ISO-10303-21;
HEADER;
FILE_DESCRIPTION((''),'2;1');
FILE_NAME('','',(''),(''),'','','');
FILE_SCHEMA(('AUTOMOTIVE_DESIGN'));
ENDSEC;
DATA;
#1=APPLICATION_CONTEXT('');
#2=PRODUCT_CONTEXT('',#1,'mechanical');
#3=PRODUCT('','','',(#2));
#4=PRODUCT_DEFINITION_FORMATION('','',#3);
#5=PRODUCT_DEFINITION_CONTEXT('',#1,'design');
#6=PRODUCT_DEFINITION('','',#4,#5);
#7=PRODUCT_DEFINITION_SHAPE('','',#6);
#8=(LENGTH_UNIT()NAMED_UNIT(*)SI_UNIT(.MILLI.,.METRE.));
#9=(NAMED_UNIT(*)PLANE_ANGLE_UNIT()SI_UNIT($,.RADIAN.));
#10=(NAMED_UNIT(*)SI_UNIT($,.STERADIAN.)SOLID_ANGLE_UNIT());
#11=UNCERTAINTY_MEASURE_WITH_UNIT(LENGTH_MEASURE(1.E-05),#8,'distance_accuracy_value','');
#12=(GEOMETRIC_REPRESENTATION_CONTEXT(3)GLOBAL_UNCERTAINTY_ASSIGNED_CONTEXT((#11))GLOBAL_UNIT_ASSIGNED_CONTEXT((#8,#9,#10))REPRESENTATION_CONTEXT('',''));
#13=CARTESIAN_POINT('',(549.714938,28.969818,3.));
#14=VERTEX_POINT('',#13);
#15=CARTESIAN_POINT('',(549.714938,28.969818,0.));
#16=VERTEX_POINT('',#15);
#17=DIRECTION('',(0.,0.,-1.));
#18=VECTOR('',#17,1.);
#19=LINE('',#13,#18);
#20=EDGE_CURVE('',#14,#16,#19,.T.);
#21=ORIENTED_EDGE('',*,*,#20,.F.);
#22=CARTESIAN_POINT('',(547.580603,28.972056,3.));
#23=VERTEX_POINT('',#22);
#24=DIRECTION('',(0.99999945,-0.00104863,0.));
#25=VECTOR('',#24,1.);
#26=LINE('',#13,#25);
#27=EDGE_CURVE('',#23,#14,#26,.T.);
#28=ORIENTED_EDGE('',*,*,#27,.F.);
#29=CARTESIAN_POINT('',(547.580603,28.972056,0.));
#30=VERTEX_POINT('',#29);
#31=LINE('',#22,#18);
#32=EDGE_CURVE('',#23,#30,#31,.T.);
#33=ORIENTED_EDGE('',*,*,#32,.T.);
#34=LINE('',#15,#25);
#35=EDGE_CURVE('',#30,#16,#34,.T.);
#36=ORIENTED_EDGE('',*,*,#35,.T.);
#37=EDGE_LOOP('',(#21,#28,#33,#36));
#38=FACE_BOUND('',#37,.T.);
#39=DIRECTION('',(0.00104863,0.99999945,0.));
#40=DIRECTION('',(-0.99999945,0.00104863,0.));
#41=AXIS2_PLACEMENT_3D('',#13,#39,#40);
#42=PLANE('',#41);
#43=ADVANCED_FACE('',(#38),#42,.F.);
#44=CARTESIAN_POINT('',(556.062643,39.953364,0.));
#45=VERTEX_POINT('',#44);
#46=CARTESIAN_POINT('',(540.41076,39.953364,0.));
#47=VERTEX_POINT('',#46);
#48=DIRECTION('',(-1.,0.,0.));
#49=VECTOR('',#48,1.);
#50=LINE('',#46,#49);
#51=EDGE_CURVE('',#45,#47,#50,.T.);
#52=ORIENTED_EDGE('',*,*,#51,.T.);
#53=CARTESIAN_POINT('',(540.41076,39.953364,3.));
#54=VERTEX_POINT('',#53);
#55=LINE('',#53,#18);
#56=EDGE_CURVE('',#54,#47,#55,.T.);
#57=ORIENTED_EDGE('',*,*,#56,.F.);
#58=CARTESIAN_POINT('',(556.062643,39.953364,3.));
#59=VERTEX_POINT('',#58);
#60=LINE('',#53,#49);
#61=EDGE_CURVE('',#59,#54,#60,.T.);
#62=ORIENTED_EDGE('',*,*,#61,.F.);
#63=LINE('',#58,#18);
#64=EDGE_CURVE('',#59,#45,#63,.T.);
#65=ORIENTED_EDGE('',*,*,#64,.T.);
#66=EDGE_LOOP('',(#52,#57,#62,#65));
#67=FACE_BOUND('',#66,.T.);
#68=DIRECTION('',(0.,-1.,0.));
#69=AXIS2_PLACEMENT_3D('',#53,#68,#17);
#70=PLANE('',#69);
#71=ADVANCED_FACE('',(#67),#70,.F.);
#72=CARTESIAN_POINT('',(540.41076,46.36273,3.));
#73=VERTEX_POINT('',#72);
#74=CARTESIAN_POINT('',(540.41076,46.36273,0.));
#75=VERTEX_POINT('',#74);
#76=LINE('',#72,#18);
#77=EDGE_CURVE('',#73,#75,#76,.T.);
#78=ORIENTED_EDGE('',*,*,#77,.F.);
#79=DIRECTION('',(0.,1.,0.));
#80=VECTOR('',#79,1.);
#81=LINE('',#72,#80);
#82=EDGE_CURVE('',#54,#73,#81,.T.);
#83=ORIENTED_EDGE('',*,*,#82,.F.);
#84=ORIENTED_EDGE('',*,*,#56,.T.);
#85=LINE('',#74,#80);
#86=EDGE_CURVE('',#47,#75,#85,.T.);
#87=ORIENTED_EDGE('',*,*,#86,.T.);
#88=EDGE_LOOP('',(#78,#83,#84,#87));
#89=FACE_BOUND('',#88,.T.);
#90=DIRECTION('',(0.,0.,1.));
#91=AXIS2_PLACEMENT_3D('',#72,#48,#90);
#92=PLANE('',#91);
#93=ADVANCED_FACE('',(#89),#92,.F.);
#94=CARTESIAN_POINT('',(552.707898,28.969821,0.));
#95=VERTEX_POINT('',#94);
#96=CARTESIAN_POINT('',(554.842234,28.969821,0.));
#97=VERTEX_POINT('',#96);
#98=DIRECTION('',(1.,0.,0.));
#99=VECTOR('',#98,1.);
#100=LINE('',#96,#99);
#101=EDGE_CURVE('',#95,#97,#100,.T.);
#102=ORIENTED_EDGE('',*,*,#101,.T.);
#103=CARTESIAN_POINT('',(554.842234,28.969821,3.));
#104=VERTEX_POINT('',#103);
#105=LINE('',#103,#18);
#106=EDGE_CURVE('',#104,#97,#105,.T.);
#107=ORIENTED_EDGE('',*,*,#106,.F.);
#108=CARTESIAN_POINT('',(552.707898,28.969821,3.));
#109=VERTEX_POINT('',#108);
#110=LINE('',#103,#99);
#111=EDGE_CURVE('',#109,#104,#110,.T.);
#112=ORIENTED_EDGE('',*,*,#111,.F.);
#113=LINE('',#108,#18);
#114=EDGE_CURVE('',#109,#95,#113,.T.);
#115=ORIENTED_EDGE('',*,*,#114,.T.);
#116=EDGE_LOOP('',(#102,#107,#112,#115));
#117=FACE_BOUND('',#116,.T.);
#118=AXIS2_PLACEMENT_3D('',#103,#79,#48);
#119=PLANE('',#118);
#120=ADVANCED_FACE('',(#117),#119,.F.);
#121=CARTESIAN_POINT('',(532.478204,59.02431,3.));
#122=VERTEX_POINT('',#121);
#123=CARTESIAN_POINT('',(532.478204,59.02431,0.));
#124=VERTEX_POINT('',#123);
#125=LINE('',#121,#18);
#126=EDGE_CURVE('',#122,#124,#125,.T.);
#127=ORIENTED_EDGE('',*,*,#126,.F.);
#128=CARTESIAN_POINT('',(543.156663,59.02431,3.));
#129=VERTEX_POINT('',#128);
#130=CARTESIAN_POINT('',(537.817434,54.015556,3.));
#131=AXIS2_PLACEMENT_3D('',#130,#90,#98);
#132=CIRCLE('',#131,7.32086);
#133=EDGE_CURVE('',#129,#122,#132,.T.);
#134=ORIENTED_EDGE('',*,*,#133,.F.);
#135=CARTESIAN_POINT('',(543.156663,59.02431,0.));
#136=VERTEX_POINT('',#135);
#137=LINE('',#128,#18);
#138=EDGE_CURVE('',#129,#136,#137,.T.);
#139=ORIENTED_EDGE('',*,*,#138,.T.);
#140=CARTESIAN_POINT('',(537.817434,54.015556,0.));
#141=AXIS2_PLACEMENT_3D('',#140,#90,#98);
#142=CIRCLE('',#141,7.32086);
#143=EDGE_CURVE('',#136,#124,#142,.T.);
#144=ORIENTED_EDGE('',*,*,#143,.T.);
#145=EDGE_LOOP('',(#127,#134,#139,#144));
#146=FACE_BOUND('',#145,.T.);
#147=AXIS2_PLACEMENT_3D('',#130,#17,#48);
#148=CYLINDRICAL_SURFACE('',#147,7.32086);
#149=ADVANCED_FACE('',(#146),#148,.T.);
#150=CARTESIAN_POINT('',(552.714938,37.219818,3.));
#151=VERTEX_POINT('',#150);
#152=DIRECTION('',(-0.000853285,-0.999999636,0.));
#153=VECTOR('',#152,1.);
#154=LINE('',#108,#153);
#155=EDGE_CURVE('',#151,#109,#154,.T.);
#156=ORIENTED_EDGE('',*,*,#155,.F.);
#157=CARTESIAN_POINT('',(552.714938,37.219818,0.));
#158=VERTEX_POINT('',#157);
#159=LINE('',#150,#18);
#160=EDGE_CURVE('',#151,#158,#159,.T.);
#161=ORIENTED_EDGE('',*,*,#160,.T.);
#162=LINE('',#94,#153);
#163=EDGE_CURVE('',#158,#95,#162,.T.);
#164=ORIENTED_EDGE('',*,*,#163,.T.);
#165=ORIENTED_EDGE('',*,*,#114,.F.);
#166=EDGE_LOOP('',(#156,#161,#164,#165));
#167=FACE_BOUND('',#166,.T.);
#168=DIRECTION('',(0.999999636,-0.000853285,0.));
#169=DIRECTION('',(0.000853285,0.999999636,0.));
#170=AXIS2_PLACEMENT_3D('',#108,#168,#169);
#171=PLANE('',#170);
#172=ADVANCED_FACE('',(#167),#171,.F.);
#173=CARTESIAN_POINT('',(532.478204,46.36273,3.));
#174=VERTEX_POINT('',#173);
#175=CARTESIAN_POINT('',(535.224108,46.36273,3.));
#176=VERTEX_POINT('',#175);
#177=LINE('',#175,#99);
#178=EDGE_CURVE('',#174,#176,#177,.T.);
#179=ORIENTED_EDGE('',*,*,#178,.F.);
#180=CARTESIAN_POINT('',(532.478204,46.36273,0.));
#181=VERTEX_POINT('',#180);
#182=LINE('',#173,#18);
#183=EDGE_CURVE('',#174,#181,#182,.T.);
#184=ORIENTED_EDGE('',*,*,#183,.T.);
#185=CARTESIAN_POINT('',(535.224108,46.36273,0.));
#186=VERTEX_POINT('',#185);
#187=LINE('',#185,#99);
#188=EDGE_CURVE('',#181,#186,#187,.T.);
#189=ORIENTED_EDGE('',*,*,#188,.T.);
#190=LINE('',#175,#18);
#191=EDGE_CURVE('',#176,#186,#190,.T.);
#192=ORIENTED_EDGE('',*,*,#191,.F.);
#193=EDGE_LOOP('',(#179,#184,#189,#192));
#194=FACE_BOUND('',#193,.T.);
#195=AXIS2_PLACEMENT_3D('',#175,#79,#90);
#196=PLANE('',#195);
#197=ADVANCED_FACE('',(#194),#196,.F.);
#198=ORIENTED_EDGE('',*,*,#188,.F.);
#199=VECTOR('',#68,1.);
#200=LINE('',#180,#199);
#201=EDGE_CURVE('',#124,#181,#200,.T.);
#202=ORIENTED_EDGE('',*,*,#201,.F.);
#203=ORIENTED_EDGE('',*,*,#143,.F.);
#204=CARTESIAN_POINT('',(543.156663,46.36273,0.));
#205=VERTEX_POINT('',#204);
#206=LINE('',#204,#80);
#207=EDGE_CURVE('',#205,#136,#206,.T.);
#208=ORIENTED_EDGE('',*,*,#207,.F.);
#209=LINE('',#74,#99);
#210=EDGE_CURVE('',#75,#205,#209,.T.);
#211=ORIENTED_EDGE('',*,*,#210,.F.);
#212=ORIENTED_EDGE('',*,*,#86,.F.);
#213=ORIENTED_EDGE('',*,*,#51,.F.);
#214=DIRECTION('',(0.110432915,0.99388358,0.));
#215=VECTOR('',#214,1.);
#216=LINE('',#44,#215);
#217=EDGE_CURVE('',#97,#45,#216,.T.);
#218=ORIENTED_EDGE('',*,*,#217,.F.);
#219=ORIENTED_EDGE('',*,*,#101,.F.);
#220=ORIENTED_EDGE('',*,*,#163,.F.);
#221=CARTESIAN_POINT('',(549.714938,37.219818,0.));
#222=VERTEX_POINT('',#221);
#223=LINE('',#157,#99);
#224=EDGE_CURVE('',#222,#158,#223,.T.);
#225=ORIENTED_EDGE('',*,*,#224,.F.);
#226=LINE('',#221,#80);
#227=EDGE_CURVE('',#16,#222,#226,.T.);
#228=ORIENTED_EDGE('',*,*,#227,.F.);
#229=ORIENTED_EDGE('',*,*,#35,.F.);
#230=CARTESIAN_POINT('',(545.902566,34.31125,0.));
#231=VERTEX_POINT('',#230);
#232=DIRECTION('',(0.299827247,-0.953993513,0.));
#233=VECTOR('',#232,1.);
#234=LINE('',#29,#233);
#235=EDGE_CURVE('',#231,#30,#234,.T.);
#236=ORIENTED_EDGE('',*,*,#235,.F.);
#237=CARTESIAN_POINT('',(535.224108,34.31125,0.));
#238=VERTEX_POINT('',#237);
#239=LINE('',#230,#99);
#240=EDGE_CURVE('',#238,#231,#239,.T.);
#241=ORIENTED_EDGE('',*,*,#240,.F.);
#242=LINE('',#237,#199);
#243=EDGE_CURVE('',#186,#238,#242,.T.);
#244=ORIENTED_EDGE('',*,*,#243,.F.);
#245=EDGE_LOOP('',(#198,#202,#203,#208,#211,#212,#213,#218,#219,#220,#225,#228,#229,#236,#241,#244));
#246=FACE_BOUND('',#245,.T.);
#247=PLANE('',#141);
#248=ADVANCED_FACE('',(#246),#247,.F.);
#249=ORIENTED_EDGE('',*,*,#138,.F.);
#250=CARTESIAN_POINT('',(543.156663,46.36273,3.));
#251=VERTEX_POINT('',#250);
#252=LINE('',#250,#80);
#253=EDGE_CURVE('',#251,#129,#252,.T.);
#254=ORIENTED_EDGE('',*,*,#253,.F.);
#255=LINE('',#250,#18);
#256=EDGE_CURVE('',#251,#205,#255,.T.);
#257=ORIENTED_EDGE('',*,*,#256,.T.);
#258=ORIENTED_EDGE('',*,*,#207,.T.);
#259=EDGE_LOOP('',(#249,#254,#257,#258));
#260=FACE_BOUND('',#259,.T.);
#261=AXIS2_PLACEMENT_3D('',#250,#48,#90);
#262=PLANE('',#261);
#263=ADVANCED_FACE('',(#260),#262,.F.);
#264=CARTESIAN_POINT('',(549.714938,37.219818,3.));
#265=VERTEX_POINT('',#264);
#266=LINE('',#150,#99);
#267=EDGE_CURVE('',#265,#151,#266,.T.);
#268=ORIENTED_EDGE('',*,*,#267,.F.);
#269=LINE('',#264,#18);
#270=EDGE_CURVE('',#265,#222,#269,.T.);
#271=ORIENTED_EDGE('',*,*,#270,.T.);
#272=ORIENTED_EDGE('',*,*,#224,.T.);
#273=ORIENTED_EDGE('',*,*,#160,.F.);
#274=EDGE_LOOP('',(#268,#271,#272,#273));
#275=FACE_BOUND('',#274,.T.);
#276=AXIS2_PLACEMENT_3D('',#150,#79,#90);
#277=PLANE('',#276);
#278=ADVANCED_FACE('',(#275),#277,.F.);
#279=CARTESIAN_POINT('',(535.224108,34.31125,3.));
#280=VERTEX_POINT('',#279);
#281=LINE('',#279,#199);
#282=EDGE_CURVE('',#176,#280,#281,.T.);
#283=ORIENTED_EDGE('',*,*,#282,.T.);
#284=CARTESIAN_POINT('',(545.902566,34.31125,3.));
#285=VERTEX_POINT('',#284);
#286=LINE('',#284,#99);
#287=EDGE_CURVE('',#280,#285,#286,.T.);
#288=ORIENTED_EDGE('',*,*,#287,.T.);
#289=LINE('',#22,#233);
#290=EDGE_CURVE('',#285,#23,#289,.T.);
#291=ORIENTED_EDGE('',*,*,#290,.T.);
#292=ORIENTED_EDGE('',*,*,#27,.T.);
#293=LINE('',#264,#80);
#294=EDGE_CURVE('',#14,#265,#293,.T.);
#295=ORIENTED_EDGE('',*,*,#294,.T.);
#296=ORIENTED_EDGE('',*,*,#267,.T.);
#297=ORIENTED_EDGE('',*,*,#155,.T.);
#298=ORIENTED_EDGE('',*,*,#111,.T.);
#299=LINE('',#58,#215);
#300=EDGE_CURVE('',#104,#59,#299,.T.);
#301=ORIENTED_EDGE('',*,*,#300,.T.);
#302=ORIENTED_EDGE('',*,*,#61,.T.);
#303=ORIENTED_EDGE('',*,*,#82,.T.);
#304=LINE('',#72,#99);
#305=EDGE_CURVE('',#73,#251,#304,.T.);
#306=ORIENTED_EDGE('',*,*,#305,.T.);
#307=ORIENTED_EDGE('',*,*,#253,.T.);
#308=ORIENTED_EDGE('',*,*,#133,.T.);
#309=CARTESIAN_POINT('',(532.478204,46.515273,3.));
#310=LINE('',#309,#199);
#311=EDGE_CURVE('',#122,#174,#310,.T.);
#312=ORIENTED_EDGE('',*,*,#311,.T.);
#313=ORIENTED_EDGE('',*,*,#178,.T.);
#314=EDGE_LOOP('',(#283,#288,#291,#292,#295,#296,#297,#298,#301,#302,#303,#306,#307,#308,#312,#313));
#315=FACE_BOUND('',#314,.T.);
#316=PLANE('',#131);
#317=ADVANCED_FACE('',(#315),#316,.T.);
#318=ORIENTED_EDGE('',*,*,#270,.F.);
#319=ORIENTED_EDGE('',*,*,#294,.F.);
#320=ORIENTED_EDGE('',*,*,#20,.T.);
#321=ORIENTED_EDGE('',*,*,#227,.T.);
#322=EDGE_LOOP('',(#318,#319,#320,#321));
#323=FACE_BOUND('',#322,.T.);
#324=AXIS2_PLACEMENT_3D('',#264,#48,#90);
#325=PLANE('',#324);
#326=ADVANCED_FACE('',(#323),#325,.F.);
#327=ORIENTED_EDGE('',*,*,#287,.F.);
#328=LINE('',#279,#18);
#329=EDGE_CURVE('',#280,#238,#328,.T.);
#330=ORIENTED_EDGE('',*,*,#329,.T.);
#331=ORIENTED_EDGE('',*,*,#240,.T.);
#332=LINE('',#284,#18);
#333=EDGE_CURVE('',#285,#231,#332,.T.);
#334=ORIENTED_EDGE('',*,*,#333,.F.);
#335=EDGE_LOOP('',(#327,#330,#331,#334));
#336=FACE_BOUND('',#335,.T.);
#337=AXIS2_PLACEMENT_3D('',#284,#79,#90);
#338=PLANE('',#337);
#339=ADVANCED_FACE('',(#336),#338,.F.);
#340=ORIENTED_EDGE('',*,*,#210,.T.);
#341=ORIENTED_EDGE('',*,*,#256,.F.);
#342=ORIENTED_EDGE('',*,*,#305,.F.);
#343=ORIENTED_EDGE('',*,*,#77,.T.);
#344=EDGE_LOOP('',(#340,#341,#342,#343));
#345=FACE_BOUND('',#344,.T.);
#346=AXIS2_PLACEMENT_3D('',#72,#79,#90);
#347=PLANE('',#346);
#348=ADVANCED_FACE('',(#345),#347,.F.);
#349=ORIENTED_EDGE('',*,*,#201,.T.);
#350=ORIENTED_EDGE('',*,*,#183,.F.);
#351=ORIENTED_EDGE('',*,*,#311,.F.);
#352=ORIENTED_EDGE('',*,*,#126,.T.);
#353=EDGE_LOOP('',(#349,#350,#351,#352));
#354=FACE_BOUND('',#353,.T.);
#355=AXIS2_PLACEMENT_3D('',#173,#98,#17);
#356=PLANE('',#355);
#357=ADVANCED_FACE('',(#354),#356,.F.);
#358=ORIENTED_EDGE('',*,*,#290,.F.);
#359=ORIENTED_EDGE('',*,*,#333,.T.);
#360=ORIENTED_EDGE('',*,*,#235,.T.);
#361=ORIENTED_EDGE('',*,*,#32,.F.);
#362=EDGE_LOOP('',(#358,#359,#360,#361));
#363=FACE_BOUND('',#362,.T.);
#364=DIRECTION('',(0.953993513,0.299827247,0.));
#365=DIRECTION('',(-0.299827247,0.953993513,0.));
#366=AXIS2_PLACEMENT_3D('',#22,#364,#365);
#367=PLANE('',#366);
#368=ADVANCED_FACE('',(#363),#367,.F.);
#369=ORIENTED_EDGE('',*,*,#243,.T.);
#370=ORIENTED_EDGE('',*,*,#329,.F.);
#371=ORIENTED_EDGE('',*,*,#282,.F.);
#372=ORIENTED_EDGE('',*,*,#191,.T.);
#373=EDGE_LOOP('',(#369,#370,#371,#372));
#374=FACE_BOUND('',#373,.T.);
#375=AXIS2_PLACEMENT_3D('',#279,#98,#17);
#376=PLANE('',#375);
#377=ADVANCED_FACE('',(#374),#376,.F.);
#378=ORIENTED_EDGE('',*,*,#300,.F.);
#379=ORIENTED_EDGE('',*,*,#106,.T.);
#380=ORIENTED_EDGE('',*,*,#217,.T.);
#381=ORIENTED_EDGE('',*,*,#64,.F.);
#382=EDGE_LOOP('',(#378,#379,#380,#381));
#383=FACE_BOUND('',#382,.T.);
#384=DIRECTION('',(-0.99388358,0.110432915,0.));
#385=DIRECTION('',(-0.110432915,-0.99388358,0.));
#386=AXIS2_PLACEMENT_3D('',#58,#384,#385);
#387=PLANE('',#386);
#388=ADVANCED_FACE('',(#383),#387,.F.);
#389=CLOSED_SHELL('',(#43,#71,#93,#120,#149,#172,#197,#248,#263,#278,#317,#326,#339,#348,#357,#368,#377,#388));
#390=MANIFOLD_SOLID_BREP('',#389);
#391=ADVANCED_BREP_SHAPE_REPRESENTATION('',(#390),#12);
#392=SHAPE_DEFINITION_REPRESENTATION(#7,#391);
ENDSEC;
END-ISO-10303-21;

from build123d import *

# Parameters (mm, degrees)
BASE_EXTRUDE_DEPTH = 3


with BuildPart() as part:
    # Sketch1 → Base-Extrude (new body)
    with BuildSketch(Plane.XY):
        with BuildLine():
            Line((540.410759596, 46.36273023), (540.410759596, 39.95336404))
            Line((540.410759596, 39.95336404), (556.06264322, 39.95336404))
            Line((556.06264322, 39.95336404), (554.842233973, 28.969820695))
            Line((554.842233973, 28.969820695), (552.70789796, 28.969820695))
            Line((552.70789796, 28.969820695), (552.714937566, 37.219817691))
            Line((552.714937566, 37.219817691), (549.714937566, 37.219817691))
            Line((549.714937566, 37.219817691), (549.714937566, 28.969817691))
            Line((549.714937566, 28.969817691), (547.580602727, 28.972055819))
            Line((547.580602727, 28.972055819), (545.902566239, 34.311250108))
            Line((545.902566239, 34.311250108), (535.22410772, 34.311250108))
            Line((535.22410772, 34.311250108), (535.22410772, 46.36273023))
            Line((535.22410772, 46.36273023), (532.478204398, 46.36273023))
            Line((532.478204398, 46.36273023), (532.478204398, 46.515272643))
            Line((532.478204398, 46.515272643), (532.478204398, 59.024310063))
            ThreePointArc((532.478204398, 59.024310063), (537.817433658, 61.336415723), (543.156662918, 59.024310063))
            Line((543.156662918, 59.024310063), (543.156662918, 46.36273023))
            Line((543.156662918, 46.36273023), (540.410759596, 46.36273023))
        make_face()
    extrude(amount=BASE_EXTRUDE_DEPTH)


solid = part.part
